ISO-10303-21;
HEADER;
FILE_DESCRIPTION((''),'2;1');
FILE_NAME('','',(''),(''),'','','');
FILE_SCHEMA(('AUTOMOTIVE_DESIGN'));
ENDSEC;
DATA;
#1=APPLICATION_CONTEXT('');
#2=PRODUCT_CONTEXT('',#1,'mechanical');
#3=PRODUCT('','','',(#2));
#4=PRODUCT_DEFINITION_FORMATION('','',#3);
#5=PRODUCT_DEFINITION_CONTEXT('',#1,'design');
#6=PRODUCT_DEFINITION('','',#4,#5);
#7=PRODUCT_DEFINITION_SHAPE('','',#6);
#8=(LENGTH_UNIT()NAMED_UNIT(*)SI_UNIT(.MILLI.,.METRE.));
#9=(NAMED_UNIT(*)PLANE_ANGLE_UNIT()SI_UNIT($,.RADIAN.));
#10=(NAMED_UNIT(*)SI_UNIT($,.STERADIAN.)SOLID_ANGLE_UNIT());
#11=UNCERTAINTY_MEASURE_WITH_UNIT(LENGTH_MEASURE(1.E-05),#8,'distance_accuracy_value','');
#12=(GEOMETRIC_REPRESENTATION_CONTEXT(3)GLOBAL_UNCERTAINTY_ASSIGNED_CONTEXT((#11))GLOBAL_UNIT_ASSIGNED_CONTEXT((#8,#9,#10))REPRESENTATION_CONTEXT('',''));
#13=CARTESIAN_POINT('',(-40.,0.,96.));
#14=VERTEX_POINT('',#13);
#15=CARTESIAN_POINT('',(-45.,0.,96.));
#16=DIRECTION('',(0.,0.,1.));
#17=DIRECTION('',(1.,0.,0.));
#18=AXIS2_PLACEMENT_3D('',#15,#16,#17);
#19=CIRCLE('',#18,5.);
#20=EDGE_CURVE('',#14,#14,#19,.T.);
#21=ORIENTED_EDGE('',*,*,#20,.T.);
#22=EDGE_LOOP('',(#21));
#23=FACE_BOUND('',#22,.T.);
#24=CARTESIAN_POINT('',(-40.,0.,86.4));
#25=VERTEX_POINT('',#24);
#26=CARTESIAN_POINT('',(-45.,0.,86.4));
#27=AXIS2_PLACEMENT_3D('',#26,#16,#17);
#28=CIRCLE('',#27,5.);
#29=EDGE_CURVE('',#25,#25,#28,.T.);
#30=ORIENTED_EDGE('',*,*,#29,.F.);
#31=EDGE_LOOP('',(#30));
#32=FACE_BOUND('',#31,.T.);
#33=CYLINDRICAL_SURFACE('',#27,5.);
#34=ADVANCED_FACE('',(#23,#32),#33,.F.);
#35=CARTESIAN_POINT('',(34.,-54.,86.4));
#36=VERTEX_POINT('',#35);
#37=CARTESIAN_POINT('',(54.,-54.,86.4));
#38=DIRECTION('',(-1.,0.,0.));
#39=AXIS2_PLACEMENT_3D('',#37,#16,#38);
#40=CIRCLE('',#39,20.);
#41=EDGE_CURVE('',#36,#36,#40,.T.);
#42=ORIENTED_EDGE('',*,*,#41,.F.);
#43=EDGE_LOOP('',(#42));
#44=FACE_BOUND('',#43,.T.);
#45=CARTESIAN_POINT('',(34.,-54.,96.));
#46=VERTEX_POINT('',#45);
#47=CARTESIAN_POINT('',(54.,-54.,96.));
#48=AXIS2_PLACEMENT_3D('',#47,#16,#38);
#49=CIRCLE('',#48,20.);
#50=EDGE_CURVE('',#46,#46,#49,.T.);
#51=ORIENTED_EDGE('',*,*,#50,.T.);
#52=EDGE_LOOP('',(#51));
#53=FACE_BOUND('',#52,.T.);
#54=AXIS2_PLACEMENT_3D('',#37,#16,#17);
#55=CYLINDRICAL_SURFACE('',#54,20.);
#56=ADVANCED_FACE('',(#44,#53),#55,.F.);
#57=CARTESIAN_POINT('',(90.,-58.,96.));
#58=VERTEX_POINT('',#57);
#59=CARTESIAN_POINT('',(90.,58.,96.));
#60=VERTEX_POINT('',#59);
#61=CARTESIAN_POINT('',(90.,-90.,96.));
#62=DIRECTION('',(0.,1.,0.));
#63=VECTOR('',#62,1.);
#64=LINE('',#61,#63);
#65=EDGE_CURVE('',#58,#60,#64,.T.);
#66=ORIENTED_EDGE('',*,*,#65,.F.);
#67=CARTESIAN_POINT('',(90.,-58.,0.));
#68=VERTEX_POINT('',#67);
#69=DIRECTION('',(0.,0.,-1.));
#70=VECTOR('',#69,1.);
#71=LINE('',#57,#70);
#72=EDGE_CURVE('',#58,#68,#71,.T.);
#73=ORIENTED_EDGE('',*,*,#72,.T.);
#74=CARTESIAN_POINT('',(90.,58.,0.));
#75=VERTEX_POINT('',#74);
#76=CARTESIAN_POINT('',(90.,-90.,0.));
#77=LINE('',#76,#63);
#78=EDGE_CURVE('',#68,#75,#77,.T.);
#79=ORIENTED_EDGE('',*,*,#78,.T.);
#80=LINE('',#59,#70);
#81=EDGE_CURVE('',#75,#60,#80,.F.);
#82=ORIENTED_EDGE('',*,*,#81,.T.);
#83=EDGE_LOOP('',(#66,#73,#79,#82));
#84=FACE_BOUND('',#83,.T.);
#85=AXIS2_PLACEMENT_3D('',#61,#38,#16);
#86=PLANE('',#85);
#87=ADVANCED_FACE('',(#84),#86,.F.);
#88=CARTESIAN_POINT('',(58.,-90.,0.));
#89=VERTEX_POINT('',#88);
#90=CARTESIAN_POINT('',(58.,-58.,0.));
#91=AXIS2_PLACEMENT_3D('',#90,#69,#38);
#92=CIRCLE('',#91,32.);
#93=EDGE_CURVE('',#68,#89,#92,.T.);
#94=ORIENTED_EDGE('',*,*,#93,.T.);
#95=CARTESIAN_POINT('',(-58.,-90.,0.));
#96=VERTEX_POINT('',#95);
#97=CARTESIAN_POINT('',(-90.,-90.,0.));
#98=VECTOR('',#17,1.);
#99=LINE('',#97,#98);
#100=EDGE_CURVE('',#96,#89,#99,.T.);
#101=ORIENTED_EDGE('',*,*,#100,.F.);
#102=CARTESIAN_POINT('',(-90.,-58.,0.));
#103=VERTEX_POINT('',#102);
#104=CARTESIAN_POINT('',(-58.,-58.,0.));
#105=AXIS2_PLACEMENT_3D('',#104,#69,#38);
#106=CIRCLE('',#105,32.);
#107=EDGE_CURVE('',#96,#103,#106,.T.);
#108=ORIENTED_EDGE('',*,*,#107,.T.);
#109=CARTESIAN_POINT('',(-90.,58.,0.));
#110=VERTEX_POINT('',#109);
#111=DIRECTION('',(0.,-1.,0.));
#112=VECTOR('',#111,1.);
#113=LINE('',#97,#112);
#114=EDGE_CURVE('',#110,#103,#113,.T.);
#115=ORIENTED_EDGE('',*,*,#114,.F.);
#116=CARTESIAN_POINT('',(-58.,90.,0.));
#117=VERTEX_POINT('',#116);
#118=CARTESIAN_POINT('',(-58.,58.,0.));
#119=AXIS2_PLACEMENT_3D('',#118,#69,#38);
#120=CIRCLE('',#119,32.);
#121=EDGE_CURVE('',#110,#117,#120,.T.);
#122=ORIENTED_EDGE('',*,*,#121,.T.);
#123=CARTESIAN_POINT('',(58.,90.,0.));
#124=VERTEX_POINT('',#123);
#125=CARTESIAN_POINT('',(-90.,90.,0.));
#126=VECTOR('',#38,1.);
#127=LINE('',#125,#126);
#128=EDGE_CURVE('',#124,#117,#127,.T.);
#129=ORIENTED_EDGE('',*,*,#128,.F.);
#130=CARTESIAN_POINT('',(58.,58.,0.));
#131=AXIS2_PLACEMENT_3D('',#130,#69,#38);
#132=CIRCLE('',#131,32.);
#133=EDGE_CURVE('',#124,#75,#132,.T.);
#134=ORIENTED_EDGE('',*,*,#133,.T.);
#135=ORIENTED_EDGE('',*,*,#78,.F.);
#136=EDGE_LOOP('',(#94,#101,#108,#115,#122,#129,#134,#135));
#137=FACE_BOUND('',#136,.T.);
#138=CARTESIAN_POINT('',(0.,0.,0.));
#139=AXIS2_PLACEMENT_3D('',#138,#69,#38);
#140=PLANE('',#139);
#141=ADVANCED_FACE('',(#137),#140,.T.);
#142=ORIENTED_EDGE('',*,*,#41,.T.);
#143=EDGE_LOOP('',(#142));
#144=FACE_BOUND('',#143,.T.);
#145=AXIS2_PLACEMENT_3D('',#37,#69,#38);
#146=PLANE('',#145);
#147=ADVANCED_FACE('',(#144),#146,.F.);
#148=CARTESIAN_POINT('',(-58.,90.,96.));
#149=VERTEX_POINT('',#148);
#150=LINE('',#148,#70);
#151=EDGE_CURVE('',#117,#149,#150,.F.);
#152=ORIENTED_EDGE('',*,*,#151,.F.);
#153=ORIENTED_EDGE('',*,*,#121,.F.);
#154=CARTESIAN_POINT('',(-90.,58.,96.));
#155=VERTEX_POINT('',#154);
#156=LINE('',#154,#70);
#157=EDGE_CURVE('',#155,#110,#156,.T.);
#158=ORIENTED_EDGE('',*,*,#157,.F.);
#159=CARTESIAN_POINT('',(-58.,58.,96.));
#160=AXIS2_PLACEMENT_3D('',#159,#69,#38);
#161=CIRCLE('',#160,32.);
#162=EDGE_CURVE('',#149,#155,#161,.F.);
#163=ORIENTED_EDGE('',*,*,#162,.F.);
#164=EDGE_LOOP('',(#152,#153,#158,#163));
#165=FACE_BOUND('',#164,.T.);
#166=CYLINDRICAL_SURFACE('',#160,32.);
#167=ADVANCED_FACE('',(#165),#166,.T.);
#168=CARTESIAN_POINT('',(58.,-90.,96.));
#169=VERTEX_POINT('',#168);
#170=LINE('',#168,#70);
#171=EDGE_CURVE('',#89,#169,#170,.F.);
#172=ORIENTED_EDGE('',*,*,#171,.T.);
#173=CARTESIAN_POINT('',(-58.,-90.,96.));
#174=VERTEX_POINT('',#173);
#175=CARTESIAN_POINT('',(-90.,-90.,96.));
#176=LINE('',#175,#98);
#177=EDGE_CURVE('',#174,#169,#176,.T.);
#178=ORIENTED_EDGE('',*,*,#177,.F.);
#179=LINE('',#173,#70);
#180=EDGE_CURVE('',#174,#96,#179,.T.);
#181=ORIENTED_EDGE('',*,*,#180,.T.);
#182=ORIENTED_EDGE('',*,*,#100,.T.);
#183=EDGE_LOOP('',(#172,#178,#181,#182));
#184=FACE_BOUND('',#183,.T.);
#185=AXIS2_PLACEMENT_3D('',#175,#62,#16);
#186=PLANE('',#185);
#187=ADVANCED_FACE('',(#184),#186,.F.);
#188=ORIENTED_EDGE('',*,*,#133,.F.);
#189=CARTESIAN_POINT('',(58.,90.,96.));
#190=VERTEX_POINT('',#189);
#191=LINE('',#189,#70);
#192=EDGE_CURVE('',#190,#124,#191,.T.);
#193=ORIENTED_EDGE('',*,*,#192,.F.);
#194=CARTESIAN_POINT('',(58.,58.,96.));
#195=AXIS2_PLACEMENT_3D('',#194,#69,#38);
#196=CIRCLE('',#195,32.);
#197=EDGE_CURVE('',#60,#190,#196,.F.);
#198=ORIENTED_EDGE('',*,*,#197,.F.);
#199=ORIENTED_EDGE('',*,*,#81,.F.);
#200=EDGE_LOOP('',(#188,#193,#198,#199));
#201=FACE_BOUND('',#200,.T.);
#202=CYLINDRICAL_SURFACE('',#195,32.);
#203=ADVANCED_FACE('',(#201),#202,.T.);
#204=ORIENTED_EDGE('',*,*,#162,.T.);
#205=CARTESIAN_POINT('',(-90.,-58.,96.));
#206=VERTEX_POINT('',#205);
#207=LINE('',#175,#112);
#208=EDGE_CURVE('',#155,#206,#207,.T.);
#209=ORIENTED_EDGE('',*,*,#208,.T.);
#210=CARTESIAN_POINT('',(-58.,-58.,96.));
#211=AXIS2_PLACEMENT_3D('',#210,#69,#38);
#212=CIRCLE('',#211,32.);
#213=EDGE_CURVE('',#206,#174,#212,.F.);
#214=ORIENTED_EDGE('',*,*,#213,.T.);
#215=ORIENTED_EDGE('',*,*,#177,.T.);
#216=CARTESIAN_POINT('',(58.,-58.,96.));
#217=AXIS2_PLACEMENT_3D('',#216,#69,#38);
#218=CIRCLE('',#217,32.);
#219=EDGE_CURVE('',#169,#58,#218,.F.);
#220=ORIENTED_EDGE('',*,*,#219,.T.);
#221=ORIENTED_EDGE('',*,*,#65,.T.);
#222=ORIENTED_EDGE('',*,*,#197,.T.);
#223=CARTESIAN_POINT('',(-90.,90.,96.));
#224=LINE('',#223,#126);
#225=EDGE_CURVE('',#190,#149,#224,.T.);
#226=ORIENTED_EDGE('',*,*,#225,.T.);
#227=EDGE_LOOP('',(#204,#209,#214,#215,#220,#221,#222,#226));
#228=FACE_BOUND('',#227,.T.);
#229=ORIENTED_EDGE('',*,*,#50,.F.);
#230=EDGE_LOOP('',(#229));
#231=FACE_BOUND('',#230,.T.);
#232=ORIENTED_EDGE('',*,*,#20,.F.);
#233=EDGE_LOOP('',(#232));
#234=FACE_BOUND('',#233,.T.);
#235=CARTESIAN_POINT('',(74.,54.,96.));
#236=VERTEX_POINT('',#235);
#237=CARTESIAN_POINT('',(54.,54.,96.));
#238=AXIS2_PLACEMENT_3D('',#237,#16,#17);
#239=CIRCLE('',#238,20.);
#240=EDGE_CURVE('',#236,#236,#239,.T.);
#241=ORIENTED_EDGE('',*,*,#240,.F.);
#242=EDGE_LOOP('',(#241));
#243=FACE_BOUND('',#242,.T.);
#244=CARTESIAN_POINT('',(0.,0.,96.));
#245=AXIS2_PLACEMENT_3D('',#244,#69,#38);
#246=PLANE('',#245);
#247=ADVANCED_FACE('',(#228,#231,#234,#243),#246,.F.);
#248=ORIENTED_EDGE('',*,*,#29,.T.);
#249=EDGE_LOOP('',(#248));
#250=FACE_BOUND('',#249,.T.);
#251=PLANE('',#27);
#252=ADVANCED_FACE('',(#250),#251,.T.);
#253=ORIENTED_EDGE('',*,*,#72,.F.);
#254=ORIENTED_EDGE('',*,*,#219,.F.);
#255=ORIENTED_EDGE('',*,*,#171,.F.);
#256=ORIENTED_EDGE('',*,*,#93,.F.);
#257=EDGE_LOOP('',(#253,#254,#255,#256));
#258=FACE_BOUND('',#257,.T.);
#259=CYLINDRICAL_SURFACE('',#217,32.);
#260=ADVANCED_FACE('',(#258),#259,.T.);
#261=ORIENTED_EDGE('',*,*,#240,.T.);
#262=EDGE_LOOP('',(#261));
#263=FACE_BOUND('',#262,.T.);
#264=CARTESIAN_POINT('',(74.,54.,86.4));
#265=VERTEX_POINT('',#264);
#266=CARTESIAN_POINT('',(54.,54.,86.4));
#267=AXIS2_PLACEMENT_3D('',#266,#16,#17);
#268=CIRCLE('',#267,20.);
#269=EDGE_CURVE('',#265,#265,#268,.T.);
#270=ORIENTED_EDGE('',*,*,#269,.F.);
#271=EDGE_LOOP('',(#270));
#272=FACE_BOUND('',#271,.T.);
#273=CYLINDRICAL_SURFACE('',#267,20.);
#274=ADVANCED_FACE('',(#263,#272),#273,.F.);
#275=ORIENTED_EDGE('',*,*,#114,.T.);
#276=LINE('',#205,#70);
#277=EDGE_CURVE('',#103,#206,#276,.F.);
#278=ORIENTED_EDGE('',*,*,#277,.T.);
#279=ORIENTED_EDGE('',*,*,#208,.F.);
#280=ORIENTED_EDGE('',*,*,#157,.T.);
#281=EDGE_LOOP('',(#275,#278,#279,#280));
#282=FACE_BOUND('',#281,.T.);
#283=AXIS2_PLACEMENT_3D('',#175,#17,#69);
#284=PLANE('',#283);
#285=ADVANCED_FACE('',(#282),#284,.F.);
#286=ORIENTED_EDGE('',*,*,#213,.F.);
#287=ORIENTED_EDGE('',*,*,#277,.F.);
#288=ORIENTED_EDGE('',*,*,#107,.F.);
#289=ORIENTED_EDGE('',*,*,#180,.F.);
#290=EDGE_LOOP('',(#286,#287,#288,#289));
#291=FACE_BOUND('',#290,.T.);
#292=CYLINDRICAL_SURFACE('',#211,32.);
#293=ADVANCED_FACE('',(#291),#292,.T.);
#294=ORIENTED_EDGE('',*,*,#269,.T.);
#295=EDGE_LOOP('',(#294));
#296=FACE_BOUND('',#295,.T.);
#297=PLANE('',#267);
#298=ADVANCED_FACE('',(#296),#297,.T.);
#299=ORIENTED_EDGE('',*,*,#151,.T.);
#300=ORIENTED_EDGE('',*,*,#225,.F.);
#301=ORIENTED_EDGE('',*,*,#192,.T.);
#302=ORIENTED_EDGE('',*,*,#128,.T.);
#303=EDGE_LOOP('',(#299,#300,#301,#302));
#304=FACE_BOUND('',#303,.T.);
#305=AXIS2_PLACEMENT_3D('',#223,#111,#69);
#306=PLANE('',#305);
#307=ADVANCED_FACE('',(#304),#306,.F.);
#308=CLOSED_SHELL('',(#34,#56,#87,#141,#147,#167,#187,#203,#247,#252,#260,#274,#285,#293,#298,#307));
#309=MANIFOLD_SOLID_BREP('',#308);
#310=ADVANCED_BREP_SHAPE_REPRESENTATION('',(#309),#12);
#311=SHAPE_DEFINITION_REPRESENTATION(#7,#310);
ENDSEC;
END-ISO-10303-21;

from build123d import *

# Parameters (mm, degrees)
ESQUISSE1_W             = 180
ESQUISSE1_H             = 180
BOSS_EXTRU_1_DEPTH      = 96
CONG_1_R                = 32
ESQUISSE2_R             = 20
ESQUISSE2_R_2           = 5
ENL_V_MAT_EXTRU_1_DEPTH = 9.6


with BuildPart() as part:
    # Esquisse1 → Boss.-Extru.1 (new body)
    with BuildSketch(Plane.XY):
        Rectangle(ESQUISSE1_W, ESQUISSE1_H)
    extrude(amount=BOSS_EXTRU_1_DEPTH)

    # Congé1
    cong_1_edges = [part.edges().sort_by_distance(p)[0] for p in [
        (90, -90, 48),
        (-90, -90, 48),
        (-90, 90, 48),
        (90, 90, 48),
    ]]
    fillet(cong_1_edges, radius=CONG_1_R)

    # Esquisse2 → Enlèv. mat.-Extru.1 (cut)
    with BuildSketch(Plane.XY.offset(96)):
        with Locations((54, 54)):
            Circle(ESQUISSE2_R)
        with Locations((54, -54)):
            Circle(ESQUISSE2_R)
        with Locations((-45, 0)):
            Circle(ESQUISSE2_R_2)
    extrude(amount=-ENL_V_MAT_EXTRU_1_DEPTH, mode=Mode.SUBTRACT)


solid = part.part
